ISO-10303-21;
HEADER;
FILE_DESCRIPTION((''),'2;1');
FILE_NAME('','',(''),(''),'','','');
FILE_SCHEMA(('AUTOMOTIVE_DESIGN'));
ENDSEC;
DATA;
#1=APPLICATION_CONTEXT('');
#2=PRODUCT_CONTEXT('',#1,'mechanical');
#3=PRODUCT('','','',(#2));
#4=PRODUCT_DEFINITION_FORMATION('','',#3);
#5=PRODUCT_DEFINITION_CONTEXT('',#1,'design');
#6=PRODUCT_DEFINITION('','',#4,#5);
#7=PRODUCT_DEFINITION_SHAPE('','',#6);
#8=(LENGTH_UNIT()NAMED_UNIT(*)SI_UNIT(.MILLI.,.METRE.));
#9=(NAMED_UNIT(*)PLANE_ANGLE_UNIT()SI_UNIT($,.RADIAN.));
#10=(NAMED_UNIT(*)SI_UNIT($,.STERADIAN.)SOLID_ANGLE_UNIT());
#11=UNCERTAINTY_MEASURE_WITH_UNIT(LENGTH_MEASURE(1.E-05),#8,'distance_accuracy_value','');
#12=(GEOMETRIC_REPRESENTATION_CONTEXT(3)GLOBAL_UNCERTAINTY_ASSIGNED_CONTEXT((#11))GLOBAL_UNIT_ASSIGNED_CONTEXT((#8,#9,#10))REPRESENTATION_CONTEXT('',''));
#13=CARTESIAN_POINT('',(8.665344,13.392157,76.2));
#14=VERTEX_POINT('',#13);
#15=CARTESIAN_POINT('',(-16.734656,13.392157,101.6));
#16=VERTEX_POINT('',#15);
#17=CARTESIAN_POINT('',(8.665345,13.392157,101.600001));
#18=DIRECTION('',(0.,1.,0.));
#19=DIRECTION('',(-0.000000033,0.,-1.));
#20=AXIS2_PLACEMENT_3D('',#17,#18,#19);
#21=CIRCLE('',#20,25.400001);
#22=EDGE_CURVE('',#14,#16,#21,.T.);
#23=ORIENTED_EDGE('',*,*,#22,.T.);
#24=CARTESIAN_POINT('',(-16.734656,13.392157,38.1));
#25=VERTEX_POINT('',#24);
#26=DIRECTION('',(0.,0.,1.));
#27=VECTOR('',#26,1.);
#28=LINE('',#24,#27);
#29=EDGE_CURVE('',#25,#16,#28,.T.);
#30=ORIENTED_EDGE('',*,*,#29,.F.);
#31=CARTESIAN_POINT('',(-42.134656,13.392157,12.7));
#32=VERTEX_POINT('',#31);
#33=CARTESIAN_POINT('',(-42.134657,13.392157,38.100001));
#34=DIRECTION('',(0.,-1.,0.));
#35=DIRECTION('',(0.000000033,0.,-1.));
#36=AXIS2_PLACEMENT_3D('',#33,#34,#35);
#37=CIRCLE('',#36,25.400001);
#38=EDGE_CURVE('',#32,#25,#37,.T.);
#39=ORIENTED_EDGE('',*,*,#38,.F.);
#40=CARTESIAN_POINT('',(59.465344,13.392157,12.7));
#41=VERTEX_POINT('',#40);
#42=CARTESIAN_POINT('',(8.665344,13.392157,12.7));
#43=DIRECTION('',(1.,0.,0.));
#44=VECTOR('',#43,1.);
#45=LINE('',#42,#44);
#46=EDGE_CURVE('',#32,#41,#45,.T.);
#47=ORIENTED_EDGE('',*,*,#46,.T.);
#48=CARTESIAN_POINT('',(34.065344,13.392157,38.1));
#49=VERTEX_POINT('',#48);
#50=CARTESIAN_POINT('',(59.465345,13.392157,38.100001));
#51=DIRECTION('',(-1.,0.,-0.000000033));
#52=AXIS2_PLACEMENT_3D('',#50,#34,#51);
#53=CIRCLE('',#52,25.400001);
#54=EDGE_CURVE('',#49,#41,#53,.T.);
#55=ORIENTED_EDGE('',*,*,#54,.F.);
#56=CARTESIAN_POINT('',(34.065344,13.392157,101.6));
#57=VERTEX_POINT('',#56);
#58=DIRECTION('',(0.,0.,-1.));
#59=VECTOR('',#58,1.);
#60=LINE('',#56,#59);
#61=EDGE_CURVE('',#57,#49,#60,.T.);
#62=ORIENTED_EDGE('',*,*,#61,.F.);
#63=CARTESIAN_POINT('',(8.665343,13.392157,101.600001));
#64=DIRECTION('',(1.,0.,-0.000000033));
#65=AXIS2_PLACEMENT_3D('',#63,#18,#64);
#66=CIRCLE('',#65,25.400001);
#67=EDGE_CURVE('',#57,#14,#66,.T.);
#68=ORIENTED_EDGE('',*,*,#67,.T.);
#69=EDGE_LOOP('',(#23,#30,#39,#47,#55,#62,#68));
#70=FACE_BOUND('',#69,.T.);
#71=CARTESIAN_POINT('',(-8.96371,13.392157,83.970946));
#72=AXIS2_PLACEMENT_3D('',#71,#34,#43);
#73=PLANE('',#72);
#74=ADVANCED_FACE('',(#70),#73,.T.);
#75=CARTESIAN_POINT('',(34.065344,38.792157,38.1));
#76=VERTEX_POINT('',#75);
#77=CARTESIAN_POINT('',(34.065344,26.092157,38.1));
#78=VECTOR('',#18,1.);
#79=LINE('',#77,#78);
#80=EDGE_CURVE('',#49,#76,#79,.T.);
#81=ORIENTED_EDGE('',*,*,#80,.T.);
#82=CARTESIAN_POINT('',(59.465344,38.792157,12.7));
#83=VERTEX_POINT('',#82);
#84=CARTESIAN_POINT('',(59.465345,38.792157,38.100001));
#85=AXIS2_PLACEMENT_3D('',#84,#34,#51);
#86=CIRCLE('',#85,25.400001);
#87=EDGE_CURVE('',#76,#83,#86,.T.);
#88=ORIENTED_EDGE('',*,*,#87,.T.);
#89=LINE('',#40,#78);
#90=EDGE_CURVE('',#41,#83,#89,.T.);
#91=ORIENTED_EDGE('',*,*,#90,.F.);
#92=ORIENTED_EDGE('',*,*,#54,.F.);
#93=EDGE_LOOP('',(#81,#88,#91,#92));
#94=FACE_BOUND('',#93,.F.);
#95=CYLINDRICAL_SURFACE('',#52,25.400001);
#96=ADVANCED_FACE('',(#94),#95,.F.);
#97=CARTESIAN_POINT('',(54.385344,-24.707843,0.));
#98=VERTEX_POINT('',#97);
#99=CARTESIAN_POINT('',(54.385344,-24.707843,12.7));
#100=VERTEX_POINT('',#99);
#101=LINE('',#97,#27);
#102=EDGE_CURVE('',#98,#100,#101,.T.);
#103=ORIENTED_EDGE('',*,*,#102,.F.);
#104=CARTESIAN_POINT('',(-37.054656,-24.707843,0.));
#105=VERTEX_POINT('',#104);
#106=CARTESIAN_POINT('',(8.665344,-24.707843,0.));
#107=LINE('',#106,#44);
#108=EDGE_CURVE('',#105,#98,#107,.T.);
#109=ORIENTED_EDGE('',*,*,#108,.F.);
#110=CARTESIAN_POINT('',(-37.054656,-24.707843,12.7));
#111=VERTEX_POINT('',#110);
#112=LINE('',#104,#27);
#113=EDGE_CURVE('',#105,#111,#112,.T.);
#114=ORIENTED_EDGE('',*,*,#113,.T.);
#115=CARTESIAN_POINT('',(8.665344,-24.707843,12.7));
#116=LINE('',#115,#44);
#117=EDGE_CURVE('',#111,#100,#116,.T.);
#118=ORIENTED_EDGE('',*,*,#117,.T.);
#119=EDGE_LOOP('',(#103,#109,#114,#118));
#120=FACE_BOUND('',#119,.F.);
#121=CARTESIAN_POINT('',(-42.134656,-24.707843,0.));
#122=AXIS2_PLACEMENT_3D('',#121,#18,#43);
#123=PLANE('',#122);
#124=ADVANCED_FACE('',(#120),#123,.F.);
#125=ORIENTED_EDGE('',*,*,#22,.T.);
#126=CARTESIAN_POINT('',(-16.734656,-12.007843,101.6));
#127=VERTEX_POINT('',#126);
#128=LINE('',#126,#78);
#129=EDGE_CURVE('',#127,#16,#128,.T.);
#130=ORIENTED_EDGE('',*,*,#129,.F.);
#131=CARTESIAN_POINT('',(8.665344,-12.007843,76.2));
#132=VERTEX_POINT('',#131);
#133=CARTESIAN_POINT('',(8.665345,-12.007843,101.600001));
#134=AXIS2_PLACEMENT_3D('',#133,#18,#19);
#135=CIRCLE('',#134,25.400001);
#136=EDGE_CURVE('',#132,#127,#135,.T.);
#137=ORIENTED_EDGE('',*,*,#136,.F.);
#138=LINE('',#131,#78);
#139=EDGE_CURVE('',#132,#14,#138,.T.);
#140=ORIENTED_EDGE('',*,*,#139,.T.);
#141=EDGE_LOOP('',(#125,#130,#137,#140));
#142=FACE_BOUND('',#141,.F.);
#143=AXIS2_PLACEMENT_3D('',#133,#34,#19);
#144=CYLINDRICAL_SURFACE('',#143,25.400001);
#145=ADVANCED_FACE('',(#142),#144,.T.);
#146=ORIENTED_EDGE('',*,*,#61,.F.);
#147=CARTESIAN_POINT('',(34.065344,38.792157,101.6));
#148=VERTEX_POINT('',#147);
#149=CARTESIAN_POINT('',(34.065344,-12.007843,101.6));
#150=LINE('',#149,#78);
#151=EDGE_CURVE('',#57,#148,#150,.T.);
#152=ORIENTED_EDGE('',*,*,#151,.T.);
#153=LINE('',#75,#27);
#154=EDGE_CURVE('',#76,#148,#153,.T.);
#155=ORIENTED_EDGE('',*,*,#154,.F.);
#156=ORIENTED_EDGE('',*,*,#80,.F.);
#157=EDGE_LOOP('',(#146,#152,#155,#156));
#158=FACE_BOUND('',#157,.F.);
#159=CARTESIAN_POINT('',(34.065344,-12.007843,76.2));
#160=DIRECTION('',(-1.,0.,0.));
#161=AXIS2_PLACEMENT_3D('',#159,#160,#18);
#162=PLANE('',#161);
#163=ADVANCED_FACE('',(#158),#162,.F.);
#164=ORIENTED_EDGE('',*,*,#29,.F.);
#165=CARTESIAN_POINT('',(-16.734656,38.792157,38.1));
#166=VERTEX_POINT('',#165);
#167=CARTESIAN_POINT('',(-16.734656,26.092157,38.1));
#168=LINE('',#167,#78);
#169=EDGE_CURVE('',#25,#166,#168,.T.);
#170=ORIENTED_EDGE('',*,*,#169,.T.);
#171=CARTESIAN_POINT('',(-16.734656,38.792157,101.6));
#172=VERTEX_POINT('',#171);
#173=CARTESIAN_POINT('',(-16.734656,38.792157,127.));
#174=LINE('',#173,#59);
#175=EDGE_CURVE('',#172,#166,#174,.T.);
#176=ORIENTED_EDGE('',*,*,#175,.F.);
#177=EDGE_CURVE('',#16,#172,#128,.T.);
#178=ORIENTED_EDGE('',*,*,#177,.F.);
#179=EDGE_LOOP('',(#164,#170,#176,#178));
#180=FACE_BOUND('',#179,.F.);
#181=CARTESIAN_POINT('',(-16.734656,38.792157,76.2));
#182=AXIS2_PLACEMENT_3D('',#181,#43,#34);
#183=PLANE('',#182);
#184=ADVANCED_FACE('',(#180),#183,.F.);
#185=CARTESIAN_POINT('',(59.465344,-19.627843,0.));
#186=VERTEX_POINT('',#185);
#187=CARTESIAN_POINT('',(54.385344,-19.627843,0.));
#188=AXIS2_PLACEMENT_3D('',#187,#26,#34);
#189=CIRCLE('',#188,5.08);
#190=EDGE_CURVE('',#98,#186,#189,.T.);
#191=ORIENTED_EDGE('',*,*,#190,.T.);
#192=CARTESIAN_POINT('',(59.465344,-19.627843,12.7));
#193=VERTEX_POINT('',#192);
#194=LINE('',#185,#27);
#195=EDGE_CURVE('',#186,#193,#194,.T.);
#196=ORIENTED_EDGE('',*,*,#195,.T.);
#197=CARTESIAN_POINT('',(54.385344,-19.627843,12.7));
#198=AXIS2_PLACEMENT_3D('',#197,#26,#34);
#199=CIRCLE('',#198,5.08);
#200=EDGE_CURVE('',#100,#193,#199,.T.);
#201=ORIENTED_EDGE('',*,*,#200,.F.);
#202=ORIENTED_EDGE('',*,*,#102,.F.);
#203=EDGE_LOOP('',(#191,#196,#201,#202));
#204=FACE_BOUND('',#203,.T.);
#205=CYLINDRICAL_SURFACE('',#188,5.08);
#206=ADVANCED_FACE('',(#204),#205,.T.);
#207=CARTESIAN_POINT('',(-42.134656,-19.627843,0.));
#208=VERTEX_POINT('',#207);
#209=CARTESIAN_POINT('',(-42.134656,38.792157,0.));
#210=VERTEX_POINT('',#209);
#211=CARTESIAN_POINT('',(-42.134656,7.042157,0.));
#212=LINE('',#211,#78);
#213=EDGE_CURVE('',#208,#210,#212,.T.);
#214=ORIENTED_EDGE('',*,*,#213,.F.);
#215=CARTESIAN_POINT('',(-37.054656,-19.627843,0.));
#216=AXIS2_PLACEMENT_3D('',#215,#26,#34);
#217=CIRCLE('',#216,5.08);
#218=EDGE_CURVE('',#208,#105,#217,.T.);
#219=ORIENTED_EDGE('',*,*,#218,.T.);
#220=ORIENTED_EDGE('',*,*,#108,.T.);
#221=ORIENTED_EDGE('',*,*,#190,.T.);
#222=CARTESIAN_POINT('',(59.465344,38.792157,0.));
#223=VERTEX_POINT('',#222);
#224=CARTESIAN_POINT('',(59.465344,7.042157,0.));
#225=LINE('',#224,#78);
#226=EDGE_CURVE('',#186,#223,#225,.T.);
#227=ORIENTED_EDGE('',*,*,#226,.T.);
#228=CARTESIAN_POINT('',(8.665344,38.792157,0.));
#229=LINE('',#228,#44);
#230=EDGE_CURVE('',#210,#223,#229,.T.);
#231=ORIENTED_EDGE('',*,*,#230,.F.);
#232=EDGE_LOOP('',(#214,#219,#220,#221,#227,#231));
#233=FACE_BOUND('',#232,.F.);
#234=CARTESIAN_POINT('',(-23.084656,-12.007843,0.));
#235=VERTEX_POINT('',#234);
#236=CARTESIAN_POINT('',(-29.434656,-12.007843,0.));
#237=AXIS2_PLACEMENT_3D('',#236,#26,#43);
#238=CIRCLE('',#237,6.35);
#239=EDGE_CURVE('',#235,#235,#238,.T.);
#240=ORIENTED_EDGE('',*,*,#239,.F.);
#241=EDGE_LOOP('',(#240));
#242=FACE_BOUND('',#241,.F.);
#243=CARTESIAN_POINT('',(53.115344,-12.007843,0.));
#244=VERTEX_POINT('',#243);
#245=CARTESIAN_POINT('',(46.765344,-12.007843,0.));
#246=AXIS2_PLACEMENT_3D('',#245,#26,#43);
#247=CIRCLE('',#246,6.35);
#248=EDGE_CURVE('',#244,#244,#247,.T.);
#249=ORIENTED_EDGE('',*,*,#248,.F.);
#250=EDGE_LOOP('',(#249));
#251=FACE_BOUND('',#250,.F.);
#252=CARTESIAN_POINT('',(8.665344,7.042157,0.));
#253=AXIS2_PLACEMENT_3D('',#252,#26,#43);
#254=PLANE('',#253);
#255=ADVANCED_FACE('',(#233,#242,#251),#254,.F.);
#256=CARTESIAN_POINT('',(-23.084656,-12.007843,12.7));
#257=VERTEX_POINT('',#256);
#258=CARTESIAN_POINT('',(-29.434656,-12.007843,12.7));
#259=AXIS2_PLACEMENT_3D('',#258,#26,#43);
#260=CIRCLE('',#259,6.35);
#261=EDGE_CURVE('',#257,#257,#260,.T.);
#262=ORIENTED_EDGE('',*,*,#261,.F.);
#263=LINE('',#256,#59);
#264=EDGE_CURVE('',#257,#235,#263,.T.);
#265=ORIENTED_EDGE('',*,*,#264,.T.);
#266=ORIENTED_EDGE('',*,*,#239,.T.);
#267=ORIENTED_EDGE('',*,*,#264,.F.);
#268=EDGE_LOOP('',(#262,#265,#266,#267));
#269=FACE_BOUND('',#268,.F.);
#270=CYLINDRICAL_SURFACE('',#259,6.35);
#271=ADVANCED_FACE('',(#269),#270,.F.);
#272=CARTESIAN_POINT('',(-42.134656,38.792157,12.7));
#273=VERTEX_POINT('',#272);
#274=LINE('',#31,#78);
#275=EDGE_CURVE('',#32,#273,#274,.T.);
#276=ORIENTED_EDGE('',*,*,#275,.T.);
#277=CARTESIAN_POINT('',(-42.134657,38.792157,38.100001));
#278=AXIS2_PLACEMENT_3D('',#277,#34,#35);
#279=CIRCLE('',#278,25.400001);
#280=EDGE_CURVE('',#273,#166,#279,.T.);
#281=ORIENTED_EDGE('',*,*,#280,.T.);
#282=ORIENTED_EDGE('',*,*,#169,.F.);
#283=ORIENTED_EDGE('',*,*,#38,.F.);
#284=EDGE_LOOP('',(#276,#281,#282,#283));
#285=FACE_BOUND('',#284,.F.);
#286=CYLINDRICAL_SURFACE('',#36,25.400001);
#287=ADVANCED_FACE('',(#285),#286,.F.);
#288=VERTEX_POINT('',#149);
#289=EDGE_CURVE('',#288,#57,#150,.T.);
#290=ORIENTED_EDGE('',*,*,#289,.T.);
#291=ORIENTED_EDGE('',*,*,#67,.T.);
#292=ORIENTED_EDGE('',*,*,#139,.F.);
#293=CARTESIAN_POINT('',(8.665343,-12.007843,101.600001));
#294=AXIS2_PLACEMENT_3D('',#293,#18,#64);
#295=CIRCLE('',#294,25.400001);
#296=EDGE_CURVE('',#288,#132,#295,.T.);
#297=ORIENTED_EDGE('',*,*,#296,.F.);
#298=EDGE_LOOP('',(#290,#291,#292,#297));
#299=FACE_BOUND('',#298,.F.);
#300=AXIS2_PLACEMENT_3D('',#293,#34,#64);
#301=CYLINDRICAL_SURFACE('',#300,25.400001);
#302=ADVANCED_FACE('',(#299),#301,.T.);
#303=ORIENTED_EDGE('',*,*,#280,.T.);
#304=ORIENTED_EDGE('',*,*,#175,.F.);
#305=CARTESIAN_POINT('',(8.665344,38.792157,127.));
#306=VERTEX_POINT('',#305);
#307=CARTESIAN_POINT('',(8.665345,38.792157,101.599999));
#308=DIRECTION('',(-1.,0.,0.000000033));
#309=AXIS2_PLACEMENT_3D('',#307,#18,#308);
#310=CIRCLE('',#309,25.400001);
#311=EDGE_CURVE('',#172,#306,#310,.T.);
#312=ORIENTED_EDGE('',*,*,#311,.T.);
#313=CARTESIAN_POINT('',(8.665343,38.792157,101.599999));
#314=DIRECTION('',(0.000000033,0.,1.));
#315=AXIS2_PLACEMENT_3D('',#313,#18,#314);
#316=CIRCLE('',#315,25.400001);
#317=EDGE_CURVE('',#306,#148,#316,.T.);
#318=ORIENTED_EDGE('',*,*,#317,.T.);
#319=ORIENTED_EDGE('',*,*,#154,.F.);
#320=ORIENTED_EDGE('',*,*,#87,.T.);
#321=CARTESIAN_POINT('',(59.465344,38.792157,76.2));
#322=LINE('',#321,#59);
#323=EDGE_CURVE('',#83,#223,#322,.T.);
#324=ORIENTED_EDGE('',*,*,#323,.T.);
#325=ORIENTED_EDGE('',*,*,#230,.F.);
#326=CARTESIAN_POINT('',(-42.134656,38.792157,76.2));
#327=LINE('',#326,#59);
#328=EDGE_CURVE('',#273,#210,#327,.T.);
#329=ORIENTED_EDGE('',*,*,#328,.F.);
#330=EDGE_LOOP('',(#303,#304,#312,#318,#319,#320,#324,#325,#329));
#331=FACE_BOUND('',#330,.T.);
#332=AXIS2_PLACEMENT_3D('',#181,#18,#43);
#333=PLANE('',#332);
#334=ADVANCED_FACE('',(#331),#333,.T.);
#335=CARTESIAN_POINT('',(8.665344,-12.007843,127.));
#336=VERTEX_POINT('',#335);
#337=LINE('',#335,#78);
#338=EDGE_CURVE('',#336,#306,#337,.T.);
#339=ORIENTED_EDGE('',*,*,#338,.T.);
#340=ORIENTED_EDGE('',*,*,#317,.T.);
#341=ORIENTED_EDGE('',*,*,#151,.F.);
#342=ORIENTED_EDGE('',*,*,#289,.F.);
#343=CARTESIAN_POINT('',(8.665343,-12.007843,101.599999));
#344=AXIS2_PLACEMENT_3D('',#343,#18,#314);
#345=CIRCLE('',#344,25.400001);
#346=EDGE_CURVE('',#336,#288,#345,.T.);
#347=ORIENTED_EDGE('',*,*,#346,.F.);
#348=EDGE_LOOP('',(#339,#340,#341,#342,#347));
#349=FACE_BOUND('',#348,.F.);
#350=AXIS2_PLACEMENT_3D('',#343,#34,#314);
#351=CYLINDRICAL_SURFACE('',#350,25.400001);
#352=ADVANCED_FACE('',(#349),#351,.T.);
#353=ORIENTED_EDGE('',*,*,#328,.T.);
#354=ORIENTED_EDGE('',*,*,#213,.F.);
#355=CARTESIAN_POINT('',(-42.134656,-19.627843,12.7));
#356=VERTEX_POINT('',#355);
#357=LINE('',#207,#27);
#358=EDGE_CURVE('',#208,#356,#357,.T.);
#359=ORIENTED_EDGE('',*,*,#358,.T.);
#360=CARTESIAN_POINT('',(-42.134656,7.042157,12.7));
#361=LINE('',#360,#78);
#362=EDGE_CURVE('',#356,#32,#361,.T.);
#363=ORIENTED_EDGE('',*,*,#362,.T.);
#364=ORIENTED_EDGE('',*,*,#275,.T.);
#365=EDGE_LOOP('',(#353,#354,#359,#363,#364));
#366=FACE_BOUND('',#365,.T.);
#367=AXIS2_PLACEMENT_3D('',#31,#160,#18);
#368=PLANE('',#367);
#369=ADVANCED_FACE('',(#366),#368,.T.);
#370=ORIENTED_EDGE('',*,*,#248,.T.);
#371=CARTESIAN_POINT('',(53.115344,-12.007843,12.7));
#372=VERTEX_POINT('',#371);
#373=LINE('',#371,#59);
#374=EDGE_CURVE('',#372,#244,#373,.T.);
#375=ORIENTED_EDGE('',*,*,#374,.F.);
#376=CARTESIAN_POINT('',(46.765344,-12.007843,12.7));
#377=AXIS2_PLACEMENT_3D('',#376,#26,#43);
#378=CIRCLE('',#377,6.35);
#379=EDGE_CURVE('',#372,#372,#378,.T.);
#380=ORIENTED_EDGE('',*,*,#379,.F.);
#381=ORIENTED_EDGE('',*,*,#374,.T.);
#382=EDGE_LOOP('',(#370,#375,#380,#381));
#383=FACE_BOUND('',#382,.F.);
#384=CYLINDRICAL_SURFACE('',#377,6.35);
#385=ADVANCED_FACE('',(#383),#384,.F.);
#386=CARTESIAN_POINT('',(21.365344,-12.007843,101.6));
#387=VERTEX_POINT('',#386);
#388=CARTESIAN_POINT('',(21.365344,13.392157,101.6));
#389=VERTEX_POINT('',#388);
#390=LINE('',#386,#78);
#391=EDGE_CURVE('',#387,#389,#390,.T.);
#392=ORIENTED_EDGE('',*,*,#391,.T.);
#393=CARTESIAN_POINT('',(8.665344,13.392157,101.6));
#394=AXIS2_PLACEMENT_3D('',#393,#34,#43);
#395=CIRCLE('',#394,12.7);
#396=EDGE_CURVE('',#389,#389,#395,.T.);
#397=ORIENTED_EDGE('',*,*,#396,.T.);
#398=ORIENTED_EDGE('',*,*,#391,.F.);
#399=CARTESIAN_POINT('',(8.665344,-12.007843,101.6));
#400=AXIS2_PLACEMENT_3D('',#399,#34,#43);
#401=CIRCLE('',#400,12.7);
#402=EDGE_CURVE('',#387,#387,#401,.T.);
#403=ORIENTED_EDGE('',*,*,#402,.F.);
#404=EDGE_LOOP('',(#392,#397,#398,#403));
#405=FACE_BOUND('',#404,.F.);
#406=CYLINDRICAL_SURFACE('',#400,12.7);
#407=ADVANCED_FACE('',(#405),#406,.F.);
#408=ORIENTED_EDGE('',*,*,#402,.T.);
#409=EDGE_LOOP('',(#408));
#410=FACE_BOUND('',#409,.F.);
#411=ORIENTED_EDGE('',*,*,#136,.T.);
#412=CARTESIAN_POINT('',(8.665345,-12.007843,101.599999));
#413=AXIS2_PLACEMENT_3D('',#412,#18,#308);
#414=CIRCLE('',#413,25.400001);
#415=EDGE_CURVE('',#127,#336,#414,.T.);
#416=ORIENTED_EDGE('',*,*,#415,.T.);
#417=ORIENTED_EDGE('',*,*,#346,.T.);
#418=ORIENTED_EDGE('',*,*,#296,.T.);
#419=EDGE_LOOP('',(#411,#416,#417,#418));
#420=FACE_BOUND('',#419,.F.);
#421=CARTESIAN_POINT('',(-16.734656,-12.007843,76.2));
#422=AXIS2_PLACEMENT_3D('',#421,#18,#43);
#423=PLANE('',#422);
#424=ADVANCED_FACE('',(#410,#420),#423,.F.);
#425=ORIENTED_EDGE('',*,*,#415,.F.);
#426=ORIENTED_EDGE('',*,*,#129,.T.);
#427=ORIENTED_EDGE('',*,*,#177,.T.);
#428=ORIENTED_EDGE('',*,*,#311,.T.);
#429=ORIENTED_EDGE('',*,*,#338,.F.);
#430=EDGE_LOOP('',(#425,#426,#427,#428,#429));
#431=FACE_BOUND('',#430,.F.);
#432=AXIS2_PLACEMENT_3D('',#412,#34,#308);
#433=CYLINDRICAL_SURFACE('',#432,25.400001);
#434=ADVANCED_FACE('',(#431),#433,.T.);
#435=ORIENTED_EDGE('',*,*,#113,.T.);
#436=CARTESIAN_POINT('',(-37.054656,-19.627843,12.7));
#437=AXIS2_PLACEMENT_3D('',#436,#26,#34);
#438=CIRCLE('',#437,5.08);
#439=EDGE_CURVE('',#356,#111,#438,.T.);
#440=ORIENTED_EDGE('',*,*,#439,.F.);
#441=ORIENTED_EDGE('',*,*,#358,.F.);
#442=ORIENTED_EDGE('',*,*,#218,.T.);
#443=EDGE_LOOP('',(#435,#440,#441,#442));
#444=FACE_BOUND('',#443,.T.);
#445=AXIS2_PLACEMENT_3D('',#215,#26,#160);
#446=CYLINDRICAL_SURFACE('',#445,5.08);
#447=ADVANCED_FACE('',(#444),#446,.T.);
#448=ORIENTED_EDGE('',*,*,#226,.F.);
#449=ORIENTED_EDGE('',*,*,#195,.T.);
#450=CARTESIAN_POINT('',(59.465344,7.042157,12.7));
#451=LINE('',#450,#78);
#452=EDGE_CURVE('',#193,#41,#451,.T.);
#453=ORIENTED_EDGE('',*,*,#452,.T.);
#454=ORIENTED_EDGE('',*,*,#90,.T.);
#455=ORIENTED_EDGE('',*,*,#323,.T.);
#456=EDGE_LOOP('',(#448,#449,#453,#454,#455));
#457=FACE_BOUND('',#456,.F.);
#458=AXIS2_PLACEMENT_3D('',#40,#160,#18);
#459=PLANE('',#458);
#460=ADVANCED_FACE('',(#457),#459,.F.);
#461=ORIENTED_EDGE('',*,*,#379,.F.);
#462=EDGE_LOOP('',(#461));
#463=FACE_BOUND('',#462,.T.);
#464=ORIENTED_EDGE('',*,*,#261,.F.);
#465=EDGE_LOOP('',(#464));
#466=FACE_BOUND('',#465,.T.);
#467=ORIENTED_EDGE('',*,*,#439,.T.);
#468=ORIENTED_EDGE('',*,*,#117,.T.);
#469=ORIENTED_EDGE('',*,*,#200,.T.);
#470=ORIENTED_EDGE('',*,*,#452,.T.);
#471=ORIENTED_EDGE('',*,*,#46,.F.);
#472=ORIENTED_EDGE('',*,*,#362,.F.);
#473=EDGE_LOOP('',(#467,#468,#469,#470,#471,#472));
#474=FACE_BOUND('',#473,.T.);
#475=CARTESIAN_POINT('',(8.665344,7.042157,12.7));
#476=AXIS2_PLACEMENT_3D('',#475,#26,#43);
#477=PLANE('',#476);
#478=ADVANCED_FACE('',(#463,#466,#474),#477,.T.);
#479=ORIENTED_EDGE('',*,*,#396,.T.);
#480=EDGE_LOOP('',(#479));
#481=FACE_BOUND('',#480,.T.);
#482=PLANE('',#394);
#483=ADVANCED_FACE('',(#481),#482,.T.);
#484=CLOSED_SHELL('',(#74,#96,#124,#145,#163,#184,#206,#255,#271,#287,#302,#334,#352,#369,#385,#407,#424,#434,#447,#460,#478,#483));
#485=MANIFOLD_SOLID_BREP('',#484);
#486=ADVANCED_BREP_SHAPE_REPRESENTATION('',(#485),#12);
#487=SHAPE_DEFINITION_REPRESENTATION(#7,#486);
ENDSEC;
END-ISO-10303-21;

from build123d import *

# Parameters (mm, degrees)
F0_W      = 101.6
F0_H      = 63.5
F1_DEPTH  = 12.7
F2_R      = 5.08
F3_W      = 101.6
F3_H      = 25.4
F4_DEPTH  = 63.5
F5_W      = 25.4
F5_H      = 25.4
F6_DEPTH  = 38.1
F8_DEPTH  = 25.4
F9_W      = 50.8
F9_H      = 25.4
F10_DEPTH = 50.8
F12_DEPTH = 25.4
F14_DEPTH = 50.8
F15_R     = 12.7
F16_DEPTH = 25.4
F17_R     = 6.35
F18_DEPTH = 25.4


with BuildPart() as f1:
    # F0 (on Top) → F1 (new body)
    with BuildSketch(Plane.XY):
        with Locations((8.665344, 7.042157)):
            Rectangle(F0_W, F0_H)
    extrude(amount=F1_DEPTH)

    # F2
    f2_edges = [f1.edges().sort_by_distance(p)[0] for p in [
        (59.465344, -24.707843, 6.35),
        (-42.134656, -24.707843, 6.35),
    ]]
    fillet(f2_edges, radius=F2_R)

    # F3 (on face) → F4 (join)
    with BuildSketch(Plane.XY.offset(12.7)):
        with Locations((8.665344, 26.092157)):
            Rectangle(F3_W, F3_H)
    extrude(amount=F4_DEPTH)

    # F5 (on face) → F6 (cut)
    with BuildSketch(Plane.XY.offset(76.2)):
        with Locations((-29.434656, 26.092157)):
            Rectangle(F5_W, F5_H)
        with Locations((46.765344, 26.092157)):
            Rectangle(F5_W, F5_H)
    extrude(amount=-F6_DEPTH, mode=Mode.SUBTRACT)

    # F7 (on face) → F8 (cut)
    with BuildSketch(Plane.XZ.offset(-13.392157)):
        with BuildLine():
            Line((-42.134656, 38.1), (-42.134656, 12.7))
            ThreePointArc((-42.134656, 12.7), (-24.174144, 20.139488), (-16.734656, 38.1))
            Line((-16.734656, 38.1), (-42.134656, 38.1))
        make_face()
        with BuildLine():
            Line((59.465344, 38.1), (34.065344, 38.1))
            ThreePointArc((34.065344, 38.1), (41.504832, 20.139488), (59.465344, 12.7))
            Line((59.465344, 12.7), (59.465344, 38.1))
        make_face()
    extrude(amount=-F8_DEPTH, mode=Mode.SUBTRACT)

    # F9 (on face) → F10 (join)
    with BuildSketch(Plane.XY.offset(76.2)):
        with Locations((8.665344, 0.692157)):
            Rectangle(F9_W, F9_H)
        with Locations((8.665344, 26.092157)):
            Rectangle(F9_W, F9_H)
    extrude(amount=F10_DEPTH)

    # F11 (on face) → F12 (cut)
    with BuildSketch(Plane.XZ.offset(12.007843)):
        with BuildLine():
            Line((-16.734656, 76.2), (8.665344, 76.2))
            ThreePointArc((8.665344, 76.2), (-9.295168, 83.639488), (-16.734656, 101.6))
            Line((-16.734656, 101.6), (-16.734656, 76.2))
        make_face()
        with BuildLine():
            Line((34.065344, 76.2), (34.065344, 101.6))
            ThreePointArc((34.065344, 101.6), (26.625856, 83.639488), (8.665344, 76.2))
            Line((8.665344, 76.2), (34.065344, 76.2))
        make_face()
    extrude(amount=-F12_DEPTH, mode=Mode.SUBTRACT)

    # F13 (on face) → F14 (cut)
    with BuildSketch(Plane.XZ.offset(12.007843)):
        with BuildLine():
            ThreePointArc((-16.734656, 101.6), (-9.295168, 119.560512), (8.665344, 127))
            Line((8.665344, 127), (-16.734656, 127))
            Line((-16.734656, 127), (-16.734656, 101.6))
        make_face()
        with BuildLine():
            ThreePointArc((8.665344, 127), (26.625856, 119.560512), (34.065344, 101.6))
            Line((34.065344, 101.6), (34.065344, 127))
            Line((34.065344, 127), (8.665344, 127))
        make_face()
    extrude(amount=-F14_DEPTH, mode=Mode.SUBTRACT)

    # F15 (on face) → F16 (cut)
    with BuildSketch(Plane.XZ.offset(12.007843)):
        with Locations((8.665344, 101.6)):
            Circle(F15_R)
    extrude(amount=-F16_DEPTH, mode=Mode.SUBTRACT)

    # F17 (on face) → F18 (cut)
    with BuildSketch(Plane.XY.offset(12.7)):
        with Locations((-29.434656, -12.007843)):
            Circle(F17_R)
        with Locations((46.765344, -12.007843)):
            Circle(F17_R)
    extrude(amount=-F18_DEPTH, mode=Mode.SUBTRACT)


solid = f1.part
